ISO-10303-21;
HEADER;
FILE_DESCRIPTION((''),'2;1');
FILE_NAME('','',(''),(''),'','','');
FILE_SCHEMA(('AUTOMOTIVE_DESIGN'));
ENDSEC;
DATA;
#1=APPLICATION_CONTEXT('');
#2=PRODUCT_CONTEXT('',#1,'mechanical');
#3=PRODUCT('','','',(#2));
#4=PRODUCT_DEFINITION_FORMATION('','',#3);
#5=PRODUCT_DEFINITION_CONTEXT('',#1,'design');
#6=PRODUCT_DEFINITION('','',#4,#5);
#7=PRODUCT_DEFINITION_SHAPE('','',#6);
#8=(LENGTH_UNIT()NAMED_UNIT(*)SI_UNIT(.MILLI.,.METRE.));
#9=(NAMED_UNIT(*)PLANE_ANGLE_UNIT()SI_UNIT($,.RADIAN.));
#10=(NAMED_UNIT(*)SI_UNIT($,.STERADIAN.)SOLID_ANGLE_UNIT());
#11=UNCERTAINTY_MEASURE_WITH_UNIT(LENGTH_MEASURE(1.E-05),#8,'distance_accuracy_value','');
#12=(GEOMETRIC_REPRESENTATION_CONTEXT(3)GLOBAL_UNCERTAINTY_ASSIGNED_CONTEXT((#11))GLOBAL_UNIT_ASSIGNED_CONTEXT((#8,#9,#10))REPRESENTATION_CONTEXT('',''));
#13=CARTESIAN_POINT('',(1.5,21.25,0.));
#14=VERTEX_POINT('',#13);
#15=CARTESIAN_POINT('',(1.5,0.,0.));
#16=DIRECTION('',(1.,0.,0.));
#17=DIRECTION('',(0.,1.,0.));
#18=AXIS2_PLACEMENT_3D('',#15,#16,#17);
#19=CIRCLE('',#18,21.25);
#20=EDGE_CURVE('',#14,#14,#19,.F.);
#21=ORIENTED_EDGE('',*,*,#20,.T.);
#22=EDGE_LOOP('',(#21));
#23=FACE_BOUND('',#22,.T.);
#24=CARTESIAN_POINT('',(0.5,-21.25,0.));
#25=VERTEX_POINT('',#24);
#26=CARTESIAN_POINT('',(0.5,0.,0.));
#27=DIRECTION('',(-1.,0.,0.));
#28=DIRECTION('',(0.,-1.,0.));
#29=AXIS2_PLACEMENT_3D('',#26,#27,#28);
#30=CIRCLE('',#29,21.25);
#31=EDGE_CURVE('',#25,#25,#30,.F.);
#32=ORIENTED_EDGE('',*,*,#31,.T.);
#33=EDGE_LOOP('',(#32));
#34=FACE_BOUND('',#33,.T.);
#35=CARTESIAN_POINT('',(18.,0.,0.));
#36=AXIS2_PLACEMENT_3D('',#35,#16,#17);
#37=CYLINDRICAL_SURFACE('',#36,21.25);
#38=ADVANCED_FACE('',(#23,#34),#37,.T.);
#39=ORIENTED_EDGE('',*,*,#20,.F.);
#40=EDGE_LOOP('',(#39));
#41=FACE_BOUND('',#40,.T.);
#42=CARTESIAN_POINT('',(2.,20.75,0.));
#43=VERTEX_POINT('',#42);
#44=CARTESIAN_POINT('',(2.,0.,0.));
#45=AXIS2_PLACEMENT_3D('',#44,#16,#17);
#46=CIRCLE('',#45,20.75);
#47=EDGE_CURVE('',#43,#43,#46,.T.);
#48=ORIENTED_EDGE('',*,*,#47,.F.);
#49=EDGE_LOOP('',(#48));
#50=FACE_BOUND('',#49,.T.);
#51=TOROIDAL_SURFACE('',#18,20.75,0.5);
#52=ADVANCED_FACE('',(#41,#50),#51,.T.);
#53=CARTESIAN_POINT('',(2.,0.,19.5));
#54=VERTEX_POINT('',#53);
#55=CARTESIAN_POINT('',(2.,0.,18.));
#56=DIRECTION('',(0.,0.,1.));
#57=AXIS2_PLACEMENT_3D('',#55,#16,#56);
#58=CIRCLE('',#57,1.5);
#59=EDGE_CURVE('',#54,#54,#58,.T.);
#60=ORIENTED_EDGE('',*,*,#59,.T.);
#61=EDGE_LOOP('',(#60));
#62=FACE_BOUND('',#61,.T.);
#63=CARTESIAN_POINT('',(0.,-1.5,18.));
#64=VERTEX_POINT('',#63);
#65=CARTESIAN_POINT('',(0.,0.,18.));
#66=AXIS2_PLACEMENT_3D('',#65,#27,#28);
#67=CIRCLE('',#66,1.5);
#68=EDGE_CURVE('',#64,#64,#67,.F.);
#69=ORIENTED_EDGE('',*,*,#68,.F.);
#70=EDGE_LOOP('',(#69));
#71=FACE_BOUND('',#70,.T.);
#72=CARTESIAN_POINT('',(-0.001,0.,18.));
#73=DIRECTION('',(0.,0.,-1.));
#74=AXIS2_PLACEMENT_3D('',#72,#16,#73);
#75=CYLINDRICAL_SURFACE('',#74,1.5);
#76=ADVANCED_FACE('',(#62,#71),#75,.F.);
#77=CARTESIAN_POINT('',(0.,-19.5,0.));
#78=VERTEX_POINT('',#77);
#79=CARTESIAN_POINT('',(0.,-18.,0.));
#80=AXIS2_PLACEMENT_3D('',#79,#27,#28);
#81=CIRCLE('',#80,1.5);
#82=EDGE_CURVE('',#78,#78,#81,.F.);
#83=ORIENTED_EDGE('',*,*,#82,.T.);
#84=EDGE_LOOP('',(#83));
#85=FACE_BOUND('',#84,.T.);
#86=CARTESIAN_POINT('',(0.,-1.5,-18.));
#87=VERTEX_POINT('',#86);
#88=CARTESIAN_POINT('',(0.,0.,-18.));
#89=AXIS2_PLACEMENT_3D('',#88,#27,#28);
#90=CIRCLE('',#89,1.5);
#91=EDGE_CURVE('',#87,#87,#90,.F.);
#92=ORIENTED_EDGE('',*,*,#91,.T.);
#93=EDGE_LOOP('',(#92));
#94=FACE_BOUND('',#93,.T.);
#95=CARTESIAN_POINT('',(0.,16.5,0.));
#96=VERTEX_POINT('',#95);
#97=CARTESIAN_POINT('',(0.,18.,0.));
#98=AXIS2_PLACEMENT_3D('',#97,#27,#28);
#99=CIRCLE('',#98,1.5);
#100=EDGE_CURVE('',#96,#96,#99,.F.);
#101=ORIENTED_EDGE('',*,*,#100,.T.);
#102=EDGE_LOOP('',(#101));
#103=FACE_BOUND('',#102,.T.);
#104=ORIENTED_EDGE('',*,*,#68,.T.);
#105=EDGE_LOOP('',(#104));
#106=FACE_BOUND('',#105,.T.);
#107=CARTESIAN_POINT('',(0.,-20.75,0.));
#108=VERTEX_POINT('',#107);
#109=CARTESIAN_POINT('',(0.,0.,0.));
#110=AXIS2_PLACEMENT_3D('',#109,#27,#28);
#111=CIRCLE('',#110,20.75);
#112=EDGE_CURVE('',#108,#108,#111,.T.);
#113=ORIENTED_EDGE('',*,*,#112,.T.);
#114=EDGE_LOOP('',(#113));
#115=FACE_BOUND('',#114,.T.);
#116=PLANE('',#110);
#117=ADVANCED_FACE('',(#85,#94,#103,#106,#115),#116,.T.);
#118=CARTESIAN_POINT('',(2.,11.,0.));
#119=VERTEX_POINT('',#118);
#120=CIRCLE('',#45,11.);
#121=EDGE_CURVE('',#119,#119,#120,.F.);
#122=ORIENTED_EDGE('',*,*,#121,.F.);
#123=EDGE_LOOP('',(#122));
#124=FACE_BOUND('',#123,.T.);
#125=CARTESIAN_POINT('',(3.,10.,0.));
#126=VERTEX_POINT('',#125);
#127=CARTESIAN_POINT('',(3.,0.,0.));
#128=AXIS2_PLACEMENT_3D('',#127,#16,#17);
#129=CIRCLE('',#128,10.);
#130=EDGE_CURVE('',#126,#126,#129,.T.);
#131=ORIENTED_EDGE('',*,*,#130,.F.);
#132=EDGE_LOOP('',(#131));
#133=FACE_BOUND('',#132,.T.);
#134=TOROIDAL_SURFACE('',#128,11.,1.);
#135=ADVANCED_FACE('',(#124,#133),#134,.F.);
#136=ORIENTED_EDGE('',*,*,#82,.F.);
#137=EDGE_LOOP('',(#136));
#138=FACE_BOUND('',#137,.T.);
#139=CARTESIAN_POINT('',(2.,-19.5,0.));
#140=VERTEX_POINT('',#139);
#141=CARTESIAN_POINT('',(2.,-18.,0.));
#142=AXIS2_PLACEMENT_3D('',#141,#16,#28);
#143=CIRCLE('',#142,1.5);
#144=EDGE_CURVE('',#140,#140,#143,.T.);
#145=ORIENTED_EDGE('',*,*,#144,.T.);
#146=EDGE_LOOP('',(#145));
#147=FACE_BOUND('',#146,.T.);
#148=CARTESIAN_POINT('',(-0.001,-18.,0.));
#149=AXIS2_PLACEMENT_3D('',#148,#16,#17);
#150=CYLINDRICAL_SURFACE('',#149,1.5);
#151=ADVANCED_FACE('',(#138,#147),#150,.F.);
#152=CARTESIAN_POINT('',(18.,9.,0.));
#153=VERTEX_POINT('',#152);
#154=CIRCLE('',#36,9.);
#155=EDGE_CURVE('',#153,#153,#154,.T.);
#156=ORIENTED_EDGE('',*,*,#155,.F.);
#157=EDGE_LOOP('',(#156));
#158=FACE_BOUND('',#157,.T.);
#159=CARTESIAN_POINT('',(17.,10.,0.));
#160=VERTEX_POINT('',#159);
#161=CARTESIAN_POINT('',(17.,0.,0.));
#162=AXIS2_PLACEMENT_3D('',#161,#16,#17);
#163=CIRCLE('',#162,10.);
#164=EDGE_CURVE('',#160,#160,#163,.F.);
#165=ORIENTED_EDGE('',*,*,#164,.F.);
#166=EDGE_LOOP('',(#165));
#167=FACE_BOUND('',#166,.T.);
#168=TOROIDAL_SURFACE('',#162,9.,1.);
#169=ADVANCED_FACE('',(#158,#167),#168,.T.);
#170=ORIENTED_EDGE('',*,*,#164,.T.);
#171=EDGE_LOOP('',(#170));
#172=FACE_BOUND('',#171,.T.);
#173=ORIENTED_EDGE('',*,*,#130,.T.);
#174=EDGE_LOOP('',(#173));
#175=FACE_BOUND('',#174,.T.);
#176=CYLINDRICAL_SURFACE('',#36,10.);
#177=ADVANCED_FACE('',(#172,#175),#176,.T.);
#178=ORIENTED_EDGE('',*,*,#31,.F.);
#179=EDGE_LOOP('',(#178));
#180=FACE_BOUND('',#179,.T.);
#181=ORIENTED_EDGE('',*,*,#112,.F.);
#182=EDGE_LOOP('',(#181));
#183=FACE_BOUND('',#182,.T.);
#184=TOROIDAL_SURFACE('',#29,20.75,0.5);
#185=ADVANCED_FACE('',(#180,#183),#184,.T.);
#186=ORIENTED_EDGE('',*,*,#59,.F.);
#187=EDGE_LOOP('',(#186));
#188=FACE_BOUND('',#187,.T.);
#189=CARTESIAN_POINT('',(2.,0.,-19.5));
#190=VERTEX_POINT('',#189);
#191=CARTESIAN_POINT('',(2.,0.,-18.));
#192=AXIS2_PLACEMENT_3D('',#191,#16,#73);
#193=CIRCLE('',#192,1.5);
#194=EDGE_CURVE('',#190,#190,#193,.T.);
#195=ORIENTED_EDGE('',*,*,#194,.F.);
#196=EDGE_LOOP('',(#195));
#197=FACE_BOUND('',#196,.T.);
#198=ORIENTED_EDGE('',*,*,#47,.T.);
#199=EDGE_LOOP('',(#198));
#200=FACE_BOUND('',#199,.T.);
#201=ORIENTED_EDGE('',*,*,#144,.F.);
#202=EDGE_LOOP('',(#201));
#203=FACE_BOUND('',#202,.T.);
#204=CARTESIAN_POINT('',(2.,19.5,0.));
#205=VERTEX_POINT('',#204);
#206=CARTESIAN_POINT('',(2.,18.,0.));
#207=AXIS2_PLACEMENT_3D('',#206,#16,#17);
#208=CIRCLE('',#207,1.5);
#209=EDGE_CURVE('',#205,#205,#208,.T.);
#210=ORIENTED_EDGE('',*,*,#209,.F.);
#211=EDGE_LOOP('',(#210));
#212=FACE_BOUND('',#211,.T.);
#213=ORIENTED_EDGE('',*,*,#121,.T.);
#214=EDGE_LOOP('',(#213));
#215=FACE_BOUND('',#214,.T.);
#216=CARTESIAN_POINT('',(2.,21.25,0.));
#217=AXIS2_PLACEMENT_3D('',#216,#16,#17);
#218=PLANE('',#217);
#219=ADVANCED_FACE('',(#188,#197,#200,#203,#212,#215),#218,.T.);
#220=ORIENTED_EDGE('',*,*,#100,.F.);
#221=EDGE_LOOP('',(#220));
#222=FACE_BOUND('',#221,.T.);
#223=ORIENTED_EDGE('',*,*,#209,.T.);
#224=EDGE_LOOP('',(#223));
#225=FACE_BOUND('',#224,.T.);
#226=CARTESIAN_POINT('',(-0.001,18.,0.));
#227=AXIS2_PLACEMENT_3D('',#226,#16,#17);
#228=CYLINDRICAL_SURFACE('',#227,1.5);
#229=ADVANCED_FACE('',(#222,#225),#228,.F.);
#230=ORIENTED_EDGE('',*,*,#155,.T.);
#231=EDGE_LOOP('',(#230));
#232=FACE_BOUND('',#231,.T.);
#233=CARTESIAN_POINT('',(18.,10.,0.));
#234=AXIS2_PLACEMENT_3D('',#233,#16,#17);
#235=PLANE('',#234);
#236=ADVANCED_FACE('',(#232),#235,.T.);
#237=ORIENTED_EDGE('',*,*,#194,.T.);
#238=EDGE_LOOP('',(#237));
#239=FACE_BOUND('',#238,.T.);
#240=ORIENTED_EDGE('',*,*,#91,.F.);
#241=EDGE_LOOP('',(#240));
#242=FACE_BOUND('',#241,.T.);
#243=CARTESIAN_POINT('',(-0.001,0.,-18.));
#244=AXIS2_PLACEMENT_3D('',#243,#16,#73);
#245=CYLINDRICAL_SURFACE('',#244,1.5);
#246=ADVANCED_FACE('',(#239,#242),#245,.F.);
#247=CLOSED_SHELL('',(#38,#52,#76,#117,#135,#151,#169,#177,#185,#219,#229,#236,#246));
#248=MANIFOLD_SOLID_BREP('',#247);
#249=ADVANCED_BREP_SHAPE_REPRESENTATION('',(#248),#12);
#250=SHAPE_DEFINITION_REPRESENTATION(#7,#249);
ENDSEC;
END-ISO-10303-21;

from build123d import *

# Parameters (mm, degrees)
CUT_EXTRUDE1_REACH = 36.046
SKETCH3_R          = 1.5
CIRPATTERN1_COUNT  = 4
FILLET1_R          = 0.5
FILLET2_R          = 1


with BuildPart() as part:
    # Sketch2 → Revolve1 (revolve)
    with BuildSketch(Plane.XY):
        Polygon((0, 0), (0, 21.25), (2, 21.25), (2, 10), (18, 10), (18, 0), align=None)
    revolve(axis=Axis((18, 0, 0), (-1, 0, 0)))

    # Sketch3 → Cut-Extrude1 (cut, up to next)
    with BuildSketch(Plane(origin=(2, 0, 0), x_dir=(0, 0, -1), z_dir=(1, 0, 0)), mode=Mode.PRIVATE) as cut_extrude1_sk1:
        with Locations(Location((0, 18, 0), (0, 0, 90))):
            Circle(SKETCH3_R)
    cut_extrude1_tool1 = extrude(cut_extrude1_sk1.sketch, amount=-CUT_EXTRUDE1_REACH, mode=Mode.PRIVATE) & part.part
    cut_extrude1 = cut_extrude1_tool1.solids().sort_by_distance((2, 18, 0))[0]
    add(cut_extrude1, mode=Mode.SUBTRACT)

    # CirPattern1: Cut-Extrude1 ×4 about axis
    cirpattern1_axis = Axis((0, 0, 0), (1, 0, 0))
    for i in range(1, CIRPATTERN1_COUNT):
        add(cut_extrude1.rotate(cirpattern1_axis, i * 360 / CIRPATTERN1_COUNT), mode=Mode.SUBTRACT)

    # Fillet1
    fillet1_edges = [part.edges().sort_by_distance(p)[0] for p in [
        (2, -21.25, 0),
        (0, -21.25, 0),
    ]]
    fillet(fillet1_edges, radius=FILLET1_R)

    # Fillet2
    fillet2_edges = [part.edges().sort_by_distance(p)[0] for p in [
        (18, -10, 0),
        (2, -10, 0),
    ]]
    fillet(fillet2_edges, radius=FILLET2_R)


solid = part.part
